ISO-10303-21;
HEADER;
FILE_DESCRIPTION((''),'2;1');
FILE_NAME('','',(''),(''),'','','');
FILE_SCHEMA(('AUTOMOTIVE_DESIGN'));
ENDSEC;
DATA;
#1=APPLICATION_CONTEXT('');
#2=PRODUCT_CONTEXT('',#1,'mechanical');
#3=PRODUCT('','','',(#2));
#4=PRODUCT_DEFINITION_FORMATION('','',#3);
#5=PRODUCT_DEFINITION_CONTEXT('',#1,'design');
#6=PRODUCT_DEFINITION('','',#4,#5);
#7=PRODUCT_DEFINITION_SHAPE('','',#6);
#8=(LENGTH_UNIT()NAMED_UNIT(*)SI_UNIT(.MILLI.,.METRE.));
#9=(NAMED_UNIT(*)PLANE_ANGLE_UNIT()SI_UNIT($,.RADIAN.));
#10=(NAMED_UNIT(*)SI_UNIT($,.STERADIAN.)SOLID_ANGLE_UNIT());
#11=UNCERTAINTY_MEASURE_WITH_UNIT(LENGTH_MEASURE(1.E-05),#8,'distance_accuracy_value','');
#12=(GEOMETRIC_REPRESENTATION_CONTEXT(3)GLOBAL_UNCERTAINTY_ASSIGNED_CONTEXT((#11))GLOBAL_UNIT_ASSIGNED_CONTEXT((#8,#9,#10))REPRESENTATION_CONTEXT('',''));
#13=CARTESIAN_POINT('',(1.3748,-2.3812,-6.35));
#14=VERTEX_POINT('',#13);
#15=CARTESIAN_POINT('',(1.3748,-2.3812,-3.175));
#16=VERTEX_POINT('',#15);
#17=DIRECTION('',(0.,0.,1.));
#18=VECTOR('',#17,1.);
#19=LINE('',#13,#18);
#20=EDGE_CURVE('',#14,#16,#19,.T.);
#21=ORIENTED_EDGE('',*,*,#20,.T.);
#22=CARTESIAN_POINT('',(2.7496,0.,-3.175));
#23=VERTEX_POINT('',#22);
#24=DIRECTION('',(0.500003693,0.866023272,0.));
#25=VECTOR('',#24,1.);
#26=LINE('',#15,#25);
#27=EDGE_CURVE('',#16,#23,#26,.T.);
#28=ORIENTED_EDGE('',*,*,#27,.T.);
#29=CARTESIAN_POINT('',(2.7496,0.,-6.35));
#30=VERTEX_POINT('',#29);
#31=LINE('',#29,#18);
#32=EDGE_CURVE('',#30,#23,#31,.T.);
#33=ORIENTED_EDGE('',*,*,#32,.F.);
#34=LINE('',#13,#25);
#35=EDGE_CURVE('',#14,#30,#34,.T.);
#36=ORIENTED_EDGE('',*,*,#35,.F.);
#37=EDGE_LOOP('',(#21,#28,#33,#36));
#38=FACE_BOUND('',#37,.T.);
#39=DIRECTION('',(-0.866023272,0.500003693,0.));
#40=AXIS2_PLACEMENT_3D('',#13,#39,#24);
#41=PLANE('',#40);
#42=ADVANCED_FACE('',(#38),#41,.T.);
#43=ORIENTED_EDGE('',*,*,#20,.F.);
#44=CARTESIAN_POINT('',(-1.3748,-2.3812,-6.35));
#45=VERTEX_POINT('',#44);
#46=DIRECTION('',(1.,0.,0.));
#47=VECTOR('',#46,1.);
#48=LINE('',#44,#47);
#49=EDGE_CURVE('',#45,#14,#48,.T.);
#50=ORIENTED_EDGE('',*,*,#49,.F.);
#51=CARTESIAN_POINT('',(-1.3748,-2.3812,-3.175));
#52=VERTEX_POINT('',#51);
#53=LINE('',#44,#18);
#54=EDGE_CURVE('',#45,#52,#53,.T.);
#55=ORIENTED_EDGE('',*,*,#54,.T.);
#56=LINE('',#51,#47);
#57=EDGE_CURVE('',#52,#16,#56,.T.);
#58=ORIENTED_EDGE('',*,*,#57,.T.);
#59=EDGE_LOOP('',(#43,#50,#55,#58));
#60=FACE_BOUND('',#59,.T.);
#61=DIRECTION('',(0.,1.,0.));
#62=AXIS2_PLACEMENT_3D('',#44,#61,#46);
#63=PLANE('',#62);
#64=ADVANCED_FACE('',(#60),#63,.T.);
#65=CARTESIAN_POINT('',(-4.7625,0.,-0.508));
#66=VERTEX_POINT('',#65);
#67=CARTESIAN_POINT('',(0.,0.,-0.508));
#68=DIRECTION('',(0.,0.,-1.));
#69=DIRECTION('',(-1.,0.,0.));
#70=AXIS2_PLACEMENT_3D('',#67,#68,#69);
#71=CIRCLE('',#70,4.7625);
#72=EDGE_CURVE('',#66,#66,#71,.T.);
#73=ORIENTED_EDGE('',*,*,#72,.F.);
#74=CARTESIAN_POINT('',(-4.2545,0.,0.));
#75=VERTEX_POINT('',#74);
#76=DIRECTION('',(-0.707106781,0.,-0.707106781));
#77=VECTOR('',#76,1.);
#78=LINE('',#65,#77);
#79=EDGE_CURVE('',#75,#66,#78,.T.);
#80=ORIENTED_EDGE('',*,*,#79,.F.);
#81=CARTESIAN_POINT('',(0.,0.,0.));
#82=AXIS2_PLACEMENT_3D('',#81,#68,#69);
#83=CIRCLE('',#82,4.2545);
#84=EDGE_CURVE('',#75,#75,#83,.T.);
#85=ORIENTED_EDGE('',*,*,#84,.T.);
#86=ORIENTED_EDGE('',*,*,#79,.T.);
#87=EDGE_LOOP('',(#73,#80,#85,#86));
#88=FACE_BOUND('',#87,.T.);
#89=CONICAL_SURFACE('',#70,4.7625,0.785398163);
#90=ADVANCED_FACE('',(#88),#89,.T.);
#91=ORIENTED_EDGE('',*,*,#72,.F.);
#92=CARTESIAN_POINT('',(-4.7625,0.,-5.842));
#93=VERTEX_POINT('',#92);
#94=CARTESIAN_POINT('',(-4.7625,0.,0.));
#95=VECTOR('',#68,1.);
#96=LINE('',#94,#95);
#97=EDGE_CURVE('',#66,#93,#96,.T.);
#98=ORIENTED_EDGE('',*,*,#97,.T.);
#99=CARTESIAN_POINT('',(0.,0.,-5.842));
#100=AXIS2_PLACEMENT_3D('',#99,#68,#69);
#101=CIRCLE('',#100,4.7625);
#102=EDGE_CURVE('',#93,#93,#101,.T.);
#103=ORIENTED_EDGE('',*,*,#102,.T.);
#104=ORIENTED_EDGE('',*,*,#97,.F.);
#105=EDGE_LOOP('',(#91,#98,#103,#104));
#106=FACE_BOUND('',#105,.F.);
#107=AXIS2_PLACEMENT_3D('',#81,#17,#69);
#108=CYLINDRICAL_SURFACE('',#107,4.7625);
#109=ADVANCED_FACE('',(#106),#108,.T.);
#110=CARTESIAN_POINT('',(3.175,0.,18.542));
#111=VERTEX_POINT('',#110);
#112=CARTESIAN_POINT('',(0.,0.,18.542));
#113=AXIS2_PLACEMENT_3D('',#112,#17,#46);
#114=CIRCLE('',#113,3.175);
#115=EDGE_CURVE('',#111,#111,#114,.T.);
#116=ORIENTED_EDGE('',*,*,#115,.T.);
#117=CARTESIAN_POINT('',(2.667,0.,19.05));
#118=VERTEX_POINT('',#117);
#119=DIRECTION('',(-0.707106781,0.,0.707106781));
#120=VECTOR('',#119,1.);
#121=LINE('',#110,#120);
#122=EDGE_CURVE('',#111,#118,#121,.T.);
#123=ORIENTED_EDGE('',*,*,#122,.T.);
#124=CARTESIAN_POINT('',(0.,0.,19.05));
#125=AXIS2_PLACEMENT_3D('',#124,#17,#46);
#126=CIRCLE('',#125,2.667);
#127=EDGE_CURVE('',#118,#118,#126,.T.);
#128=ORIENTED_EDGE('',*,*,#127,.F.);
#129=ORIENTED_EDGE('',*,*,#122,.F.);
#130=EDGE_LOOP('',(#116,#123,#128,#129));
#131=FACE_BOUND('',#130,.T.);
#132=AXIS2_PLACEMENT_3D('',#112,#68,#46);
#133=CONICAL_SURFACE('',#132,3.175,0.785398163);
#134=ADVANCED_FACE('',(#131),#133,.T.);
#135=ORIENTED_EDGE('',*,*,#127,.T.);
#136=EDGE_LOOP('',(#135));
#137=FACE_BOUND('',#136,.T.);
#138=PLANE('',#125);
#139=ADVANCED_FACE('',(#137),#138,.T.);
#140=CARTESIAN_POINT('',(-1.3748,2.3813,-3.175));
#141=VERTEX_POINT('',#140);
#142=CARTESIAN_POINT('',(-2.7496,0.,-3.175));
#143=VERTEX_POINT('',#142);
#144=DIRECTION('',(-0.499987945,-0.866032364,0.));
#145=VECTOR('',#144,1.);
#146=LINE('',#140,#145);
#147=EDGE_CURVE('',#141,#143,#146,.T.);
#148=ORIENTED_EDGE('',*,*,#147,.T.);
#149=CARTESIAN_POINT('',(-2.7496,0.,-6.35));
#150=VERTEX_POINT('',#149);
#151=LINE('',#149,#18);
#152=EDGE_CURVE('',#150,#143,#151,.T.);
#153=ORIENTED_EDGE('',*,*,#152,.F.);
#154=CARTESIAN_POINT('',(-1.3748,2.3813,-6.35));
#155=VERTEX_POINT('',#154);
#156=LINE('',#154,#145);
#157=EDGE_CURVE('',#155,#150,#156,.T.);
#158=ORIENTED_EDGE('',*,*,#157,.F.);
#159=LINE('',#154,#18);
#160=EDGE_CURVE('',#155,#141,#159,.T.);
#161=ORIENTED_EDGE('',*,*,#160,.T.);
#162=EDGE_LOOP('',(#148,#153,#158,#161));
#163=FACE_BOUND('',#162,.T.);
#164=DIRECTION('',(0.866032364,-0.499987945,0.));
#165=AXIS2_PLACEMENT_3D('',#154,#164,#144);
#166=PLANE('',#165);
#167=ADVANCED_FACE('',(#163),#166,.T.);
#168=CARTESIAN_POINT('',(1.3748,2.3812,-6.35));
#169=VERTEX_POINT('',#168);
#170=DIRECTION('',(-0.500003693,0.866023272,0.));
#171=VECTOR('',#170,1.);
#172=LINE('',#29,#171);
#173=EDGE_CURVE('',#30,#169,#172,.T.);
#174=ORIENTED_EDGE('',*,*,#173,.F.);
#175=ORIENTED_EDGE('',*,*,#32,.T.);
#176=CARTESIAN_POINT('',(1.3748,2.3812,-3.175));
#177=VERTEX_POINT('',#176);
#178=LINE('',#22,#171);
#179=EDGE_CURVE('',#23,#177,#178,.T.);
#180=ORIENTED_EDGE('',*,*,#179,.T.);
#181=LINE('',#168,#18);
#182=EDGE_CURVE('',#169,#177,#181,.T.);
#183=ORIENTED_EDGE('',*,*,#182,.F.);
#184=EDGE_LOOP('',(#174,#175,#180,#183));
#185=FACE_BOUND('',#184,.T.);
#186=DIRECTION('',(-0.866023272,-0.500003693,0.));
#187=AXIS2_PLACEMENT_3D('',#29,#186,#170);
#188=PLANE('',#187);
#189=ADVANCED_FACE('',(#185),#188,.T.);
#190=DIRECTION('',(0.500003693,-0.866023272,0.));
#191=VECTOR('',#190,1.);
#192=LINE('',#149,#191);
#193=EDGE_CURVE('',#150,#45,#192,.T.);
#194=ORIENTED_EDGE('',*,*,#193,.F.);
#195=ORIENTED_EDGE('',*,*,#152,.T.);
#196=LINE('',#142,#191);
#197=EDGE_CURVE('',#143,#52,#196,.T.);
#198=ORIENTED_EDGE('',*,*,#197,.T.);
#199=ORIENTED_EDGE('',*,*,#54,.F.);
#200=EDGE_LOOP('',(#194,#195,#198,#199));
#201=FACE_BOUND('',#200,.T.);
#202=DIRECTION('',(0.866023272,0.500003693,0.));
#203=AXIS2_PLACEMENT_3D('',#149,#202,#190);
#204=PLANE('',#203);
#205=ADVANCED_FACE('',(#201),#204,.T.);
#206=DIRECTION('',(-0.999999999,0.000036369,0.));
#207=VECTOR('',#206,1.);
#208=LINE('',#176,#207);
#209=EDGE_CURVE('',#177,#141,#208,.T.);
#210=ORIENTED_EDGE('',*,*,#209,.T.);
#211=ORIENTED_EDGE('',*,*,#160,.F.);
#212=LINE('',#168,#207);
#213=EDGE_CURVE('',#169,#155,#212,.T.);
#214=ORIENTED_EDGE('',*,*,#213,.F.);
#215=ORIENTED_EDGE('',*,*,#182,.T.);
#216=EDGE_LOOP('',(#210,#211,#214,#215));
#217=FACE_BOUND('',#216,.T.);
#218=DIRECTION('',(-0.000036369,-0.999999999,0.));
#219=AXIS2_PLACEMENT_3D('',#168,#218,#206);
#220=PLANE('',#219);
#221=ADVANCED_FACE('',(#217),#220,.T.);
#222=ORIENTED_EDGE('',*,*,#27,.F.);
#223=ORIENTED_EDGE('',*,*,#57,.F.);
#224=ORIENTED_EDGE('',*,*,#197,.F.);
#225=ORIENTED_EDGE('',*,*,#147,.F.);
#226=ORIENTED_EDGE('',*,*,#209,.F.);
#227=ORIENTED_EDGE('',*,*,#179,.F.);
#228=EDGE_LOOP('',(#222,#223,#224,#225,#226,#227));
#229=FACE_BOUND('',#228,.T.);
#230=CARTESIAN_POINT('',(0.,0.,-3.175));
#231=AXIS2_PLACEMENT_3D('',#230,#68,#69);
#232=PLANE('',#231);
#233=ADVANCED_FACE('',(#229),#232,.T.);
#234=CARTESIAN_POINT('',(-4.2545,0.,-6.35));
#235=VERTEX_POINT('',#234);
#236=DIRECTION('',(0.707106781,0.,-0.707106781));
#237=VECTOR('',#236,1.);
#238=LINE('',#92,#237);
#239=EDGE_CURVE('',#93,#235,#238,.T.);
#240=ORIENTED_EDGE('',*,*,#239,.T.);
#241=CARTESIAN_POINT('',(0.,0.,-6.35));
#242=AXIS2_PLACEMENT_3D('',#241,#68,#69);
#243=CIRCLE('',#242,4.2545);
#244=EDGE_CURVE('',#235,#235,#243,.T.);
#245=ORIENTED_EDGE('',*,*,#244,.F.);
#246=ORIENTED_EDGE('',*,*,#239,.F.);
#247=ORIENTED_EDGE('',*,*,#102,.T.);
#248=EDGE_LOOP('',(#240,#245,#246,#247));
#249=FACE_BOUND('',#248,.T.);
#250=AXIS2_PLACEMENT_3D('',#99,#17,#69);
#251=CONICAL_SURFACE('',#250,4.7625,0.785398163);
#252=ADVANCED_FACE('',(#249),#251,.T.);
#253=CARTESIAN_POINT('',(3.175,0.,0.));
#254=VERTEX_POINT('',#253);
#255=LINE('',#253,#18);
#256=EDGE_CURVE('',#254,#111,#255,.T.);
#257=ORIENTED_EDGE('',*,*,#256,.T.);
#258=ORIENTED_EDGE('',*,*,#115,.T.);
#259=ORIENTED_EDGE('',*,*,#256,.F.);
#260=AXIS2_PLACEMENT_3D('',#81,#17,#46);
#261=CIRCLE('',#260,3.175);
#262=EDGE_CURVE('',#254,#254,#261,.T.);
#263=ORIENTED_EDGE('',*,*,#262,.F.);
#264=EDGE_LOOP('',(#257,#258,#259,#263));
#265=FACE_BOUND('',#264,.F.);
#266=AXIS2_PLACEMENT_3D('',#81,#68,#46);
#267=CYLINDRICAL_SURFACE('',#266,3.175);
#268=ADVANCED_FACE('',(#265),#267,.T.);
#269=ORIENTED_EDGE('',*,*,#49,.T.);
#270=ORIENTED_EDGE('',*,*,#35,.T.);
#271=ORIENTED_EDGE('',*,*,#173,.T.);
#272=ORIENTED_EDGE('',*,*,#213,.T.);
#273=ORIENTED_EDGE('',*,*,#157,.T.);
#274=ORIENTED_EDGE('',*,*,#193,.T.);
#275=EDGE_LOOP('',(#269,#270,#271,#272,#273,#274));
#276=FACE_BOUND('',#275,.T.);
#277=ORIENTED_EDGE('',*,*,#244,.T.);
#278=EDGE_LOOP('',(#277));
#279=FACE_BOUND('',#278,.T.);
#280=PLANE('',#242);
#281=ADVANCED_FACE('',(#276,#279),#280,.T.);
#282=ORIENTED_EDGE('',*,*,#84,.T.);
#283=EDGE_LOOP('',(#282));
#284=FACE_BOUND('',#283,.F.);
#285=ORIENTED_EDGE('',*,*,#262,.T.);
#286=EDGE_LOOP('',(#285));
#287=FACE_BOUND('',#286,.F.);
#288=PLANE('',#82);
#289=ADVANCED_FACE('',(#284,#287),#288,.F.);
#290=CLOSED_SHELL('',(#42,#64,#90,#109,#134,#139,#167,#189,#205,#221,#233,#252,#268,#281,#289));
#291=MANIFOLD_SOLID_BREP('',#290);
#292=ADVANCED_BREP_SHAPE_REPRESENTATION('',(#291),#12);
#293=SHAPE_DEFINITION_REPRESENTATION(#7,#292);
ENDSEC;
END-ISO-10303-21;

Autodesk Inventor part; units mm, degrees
ref_plane "YZ Plane" through (0, 0, 0) normal (1, 0, 0) x (0, 1, 0)
ref_plane "XZ Plane" through (0, 0, 0) normal (0, 1, 0) x (-1, 0, 0)
ref_plane "XY Plane" through (0, 0, 0) normal (0, 0, 1) x (1, 0, 0)
sketch "Sketch1" plane through (0, 0, 0) normal (0, 0, 1) x (1, 0, 0)
  circle A0 centre (0, 0) radius 3.175
  dimension "d0" = 6.35
extrude "Extrusion1" add sketch "Sketch1" along normal blind 19.05
sketch "Sketch2" plane through (0, 0, 0) normal (0, 0, -1) x (-1, 0, 0)
  circle A0 centre (0, 0) radius 3.175 projected
  circle A1 centre (0, 0) radius 4.7625
  dimension "d3" = 9.525
extrude "Extrusion2" add sketch "Sketch2" along normal blind 6.35 contours A0 | A1
sketch "Sketch3" plane through (0, 0, -6.35) normal (0, 0, -1) x (-1, 0, 0)
  circle A0 centre (0, 0) radius 4.7625 projected
  line L0 (-1.3748, 2.3812) -> (1.3748, 2.3813)
  line L1 (1.3748, 2.3813) -> (2.7496, 0)
  line L2 (2.7496, 0) -> (1.3748, -2.3812)
  line L3 (1.3748, -2.3812) -> (-1.3748, -2.3812)
  line L4 (-1.3748, -2.3812) -> (-2.7496, 0)
  line L5 (-2.7496, 0) -> (-1.3748, 2.3812)
  dimension "d6" = 4.7625
extrude "Extrusion3" cut sketch "Sketch3" against normal blind 3.175 contours L0 L1 L2 L3 L4 L5
chamfer "Chamfer1" distance 0.508 angle 45 3 edges at (-3.175, 0, 19.05) (4.7625, 0, 0) (4.7625, 0, -6.35)
thread "Thread1" size "1/4-20 UNC" class "2A" standard "ANSI Unified Screw Threads" full length
properties part number "14-20 x750" material "Steel"
